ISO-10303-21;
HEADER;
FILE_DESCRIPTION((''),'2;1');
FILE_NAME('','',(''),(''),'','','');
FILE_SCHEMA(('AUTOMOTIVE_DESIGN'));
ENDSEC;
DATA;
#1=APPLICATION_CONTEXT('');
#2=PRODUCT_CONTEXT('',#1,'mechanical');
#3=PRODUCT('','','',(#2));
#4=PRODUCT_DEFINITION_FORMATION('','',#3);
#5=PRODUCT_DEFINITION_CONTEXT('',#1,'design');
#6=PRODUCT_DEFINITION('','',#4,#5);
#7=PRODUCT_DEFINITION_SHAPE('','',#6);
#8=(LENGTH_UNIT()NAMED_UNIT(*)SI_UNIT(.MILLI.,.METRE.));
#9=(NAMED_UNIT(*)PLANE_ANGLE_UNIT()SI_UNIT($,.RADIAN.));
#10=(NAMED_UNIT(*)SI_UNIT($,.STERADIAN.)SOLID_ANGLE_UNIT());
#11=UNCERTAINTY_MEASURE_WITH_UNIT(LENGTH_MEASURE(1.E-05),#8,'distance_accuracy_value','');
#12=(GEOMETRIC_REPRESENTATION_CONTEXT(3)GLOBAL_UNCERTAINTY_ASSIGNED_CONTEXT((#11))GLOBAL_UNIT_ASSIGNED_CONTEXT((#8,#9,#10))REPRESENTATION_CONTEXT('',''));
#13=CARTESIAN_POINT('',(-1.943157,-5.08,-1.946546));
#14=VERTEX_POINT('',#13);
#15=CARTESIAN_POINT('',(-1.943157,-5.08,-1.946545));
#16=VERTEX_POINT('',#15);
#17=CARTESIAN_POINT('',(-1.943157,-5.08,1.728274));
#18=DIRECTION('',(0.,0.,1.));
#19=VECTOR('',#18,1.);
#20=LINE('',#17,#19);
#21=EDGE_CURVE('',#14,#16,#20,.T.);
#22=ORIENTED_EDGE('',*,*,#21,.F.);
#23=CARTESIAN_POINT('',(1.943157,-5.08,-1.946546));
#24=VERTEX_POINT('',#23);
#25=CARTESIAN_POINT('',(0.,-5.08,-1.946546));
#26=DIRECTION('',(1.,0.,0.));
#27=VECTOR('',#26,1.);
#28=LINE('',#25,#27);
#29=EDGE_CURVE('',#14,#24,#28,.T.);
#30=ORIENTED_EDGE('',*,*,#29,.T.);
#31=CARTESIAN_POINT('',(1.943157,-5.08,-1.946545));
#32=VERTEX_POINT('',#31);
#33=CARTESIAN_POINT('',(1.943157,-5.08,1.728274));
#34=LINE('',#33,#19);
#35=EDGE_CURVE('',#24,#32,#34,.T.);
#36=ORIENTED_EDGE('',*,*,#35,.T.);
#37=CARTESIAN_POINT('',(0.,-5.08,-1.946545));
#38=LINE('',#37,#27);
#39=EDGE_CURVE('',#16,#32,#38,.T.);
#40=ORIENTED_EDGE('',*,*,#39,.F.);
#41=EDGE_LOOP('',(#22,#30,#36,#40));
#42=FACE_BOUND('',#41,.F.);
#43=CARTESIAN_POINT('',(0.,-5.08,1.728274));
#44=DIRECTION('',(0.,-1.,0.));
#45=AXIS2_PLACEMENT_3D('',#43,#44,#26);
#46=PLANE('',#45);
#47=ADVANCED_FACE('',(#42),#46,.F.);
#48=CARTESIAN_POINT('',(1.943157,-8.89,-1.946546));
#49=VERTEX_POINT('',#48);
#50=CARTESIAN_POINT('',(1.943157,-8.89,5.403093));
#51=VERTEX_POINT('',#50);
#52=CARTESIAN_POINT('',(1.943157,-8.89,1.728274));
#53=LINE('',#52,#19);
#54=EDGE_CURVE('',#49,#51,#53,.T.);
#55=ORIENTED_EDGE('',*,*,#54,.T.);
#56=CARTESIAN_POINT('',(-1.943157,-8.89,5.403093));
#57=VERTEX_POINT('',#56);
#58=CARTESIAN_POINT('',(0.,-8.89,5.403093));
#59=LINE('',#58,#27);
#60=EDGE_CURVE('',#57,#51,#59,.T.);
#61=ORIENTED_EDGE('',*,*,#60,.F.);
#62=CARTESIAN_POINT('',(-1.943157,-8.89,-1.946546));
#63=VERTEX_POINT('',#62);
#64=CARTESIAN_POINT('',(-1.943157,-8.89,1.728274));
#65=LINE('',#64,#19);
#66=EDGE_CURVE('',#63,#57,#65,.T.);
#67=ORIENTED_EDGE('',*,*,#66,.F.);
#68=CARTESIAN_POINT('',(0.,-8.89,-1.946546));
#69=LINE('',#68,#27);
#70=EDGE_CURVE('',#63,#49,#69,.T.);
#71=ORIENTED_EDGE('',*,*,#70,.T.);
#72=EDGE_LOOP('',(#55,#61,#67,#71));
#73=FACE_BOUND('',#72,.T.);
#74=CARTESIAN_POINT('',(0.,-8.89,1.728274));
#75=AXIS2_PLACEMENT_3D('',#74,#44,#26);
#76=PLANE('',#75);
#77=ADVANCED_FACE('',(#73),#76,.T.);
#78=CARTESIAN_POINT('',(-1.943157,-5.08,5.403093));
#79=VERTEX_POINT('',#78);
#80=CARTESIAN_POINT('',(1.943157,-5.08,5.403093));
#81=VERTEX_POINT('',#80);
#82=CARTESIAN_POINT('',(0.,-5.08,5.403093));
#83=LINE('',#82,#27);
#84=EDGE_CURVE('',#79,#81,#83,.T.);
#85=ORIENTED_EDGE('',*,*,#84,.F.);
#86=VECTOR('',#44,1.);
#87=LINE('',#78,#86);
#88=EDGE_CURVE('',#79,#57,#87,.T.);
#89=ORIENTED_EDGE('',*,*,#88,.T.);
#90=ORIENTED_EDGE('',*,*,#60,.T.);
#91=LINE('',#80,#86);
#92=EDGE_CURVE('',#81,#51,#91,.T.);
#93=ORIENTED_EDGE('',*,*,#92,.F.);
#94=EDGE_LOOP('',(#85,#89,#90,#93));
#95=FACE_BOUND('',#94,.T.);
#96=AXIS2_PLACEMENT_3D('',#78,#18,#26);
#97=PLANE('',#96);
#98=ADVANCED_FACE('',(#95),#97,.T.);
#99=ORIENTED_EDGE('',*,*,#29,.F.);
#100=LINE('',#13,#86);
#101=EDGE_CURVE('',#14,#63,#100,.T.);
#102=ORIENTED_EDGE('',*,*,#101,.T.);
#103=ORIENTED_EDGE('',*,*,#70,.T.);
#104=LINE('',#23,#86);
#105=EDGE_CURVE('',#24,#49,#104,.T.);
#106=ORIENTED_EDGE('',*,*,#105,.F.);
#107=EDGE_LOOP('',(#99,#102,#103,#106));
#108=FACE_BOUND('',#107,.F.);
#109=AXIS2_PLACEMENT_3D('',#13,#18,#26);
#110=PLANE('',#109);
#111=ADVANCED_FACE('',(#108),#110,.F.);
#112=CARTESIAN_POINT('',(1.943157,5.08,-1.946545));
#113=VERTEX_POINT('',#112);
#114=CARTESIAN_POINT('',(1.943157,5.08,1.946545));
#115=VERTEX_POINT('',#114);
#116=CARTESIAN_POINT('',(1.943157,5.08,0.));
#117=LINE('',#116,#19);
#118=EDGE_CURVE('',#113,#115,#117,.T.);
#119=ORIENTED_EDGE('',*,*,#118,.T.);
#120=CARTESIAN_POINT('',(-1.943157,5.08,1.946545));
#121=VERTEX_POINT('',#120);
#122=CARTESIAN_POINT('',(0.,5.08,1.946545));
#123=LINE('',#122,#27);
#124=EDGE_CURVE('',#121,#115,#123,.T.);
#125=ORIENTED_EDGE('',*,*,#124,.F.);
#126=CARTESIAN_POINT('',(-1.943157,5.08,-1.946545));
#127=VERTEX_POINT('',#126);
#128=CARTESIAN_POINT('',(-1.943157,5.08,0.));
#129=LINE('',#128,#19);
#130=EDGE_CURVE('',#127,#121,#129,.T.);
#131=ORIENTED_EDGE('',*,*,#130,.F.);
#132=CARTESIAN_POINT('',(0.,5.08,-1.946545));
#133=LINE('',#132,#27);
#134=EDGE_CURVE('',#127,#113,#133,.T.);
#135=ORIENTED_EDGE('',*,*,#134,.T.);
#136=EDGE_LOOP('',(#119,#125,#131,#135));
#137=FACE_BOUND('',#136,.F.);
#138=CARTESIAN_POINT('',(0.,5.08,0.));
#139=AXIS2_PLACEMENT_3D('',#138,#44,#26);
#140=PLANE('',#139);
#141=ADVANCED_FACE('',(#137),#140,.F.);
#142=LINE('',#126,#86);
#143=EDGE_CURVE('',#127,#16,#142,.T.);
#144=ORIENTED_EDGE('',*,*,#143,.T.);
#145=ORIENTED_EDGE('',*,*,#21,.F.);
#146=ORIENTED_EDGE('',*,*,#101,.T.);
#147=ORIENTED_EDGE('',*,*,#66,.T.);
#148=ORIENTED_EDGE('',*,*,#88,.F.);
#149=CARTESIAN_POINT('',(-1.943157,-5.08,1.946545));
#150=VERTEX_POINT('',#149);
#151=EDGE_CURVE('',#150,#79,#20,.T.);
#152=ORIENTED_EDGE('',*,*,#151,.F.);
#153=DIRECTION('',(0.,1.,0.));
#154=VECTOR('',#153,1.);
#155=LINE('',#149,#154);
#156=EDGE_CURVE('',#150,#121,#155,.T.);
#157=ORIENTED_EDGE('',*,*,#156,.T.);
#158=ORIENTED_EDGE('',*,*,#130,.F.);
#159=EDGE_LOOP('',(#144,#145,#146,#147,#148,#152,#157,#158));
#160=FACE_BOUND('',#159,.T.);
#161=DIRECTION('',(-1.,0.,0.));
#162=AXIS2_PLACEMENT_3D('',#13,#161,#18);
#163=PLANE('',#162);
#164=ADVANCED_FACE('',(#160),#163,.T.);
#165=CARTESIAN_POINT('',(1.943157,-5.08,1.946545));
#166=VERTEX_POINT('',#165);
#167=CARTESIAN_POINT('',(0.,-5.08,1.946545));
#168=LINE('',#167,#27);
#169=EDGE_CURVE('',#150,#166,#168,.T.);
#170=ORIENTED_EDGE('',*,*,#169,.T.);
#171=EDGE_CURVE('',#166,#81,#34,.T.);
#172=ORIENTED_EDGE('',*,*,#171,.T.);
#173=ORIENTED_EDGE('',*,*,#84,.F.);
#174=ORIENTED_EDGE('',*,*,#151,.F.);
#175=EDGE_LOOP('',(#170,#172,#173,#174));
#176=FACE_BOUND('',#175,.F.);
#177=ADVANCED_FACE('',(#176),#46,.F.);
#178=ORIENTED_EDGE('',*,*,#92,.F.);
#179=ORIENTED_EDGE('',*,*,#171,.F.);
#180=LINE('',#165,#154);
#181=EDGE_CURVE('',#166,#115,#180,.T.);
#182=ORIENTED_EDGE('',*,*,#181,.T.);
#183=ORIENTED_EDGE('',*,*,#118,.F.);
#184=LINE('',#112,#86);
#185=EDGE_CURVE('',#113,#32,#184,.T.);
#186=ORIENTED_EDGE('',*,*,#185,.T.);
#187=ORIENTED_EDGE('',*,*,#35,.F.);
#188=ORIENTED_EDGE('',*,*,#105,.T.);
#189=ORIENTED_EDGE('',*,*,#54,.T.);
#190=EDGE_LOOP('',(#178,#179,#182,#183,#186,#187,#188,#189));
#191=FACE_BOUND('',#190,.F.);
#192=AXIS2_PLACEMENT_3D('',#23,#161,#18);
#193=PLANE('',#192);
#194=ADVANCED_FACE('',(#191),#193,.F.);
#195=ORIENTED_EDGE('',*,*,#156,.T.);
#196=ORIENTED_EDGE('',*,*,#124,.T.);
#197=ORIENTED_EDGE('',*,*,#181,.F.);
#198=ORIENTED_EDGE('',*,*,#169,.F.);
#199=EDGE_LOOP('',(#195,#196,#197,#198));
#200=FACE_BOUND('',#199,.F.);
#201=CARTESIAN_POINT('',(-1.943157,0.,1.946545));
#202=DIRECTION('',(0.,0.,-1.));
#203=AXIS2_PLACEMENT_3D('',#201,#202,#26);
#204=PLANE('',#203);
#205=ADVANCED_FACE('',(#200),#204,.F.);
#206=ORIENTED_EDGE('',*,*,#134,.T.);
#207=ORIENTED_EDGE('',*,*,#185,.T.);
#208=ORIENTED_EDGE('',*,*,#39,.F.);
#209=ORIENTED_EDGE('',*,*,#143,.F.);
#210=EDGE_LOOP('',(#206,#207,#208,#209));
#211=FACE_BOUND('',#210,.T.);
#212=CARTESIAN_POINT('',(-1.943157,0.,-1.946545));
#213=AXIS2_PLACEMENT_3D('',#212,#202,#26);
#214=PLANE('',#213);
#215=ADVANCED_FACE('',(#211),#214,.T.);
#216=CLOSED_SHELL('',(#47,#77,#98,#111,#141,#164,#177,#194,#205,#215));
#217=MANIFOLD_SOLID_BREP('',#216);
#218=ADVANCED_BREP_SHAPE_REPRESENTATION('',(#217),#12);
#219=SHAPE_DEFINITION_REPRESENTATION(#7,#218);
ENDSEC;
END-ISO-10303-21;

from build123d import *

# Parameters (mm, degrees)
F0_W          = 3.886314
F0_H          = 3.89309
F1_DEPTH      = 5.08
F1_DEPTH_BACK = 5.08
F2_W          = 3.886314
F2_H          = 7.349639
F3_DEPTH      = 3.81


with BuildPart() as f1:
    # F0 (on Front) → F1 (new body, two sides)
    with BuildSketch(Plane.XZ) as f1_sk:
        Rectangle(F0_W, F0_H)
    extrude(amount=F1_DEPTH)
    extrude(f1_sk.sketch, amount=-F1_DEPTH_BACK)

    # F2 (on face) → F3 (join)
    with BuildSketch(Plane.XZ.offset(5.08)):
        with Locations((0, 1.728274)):
            Rectangle(F2_W, F2_H)
    extrude(amount=F3_DEPTH)


solid = f1.part
